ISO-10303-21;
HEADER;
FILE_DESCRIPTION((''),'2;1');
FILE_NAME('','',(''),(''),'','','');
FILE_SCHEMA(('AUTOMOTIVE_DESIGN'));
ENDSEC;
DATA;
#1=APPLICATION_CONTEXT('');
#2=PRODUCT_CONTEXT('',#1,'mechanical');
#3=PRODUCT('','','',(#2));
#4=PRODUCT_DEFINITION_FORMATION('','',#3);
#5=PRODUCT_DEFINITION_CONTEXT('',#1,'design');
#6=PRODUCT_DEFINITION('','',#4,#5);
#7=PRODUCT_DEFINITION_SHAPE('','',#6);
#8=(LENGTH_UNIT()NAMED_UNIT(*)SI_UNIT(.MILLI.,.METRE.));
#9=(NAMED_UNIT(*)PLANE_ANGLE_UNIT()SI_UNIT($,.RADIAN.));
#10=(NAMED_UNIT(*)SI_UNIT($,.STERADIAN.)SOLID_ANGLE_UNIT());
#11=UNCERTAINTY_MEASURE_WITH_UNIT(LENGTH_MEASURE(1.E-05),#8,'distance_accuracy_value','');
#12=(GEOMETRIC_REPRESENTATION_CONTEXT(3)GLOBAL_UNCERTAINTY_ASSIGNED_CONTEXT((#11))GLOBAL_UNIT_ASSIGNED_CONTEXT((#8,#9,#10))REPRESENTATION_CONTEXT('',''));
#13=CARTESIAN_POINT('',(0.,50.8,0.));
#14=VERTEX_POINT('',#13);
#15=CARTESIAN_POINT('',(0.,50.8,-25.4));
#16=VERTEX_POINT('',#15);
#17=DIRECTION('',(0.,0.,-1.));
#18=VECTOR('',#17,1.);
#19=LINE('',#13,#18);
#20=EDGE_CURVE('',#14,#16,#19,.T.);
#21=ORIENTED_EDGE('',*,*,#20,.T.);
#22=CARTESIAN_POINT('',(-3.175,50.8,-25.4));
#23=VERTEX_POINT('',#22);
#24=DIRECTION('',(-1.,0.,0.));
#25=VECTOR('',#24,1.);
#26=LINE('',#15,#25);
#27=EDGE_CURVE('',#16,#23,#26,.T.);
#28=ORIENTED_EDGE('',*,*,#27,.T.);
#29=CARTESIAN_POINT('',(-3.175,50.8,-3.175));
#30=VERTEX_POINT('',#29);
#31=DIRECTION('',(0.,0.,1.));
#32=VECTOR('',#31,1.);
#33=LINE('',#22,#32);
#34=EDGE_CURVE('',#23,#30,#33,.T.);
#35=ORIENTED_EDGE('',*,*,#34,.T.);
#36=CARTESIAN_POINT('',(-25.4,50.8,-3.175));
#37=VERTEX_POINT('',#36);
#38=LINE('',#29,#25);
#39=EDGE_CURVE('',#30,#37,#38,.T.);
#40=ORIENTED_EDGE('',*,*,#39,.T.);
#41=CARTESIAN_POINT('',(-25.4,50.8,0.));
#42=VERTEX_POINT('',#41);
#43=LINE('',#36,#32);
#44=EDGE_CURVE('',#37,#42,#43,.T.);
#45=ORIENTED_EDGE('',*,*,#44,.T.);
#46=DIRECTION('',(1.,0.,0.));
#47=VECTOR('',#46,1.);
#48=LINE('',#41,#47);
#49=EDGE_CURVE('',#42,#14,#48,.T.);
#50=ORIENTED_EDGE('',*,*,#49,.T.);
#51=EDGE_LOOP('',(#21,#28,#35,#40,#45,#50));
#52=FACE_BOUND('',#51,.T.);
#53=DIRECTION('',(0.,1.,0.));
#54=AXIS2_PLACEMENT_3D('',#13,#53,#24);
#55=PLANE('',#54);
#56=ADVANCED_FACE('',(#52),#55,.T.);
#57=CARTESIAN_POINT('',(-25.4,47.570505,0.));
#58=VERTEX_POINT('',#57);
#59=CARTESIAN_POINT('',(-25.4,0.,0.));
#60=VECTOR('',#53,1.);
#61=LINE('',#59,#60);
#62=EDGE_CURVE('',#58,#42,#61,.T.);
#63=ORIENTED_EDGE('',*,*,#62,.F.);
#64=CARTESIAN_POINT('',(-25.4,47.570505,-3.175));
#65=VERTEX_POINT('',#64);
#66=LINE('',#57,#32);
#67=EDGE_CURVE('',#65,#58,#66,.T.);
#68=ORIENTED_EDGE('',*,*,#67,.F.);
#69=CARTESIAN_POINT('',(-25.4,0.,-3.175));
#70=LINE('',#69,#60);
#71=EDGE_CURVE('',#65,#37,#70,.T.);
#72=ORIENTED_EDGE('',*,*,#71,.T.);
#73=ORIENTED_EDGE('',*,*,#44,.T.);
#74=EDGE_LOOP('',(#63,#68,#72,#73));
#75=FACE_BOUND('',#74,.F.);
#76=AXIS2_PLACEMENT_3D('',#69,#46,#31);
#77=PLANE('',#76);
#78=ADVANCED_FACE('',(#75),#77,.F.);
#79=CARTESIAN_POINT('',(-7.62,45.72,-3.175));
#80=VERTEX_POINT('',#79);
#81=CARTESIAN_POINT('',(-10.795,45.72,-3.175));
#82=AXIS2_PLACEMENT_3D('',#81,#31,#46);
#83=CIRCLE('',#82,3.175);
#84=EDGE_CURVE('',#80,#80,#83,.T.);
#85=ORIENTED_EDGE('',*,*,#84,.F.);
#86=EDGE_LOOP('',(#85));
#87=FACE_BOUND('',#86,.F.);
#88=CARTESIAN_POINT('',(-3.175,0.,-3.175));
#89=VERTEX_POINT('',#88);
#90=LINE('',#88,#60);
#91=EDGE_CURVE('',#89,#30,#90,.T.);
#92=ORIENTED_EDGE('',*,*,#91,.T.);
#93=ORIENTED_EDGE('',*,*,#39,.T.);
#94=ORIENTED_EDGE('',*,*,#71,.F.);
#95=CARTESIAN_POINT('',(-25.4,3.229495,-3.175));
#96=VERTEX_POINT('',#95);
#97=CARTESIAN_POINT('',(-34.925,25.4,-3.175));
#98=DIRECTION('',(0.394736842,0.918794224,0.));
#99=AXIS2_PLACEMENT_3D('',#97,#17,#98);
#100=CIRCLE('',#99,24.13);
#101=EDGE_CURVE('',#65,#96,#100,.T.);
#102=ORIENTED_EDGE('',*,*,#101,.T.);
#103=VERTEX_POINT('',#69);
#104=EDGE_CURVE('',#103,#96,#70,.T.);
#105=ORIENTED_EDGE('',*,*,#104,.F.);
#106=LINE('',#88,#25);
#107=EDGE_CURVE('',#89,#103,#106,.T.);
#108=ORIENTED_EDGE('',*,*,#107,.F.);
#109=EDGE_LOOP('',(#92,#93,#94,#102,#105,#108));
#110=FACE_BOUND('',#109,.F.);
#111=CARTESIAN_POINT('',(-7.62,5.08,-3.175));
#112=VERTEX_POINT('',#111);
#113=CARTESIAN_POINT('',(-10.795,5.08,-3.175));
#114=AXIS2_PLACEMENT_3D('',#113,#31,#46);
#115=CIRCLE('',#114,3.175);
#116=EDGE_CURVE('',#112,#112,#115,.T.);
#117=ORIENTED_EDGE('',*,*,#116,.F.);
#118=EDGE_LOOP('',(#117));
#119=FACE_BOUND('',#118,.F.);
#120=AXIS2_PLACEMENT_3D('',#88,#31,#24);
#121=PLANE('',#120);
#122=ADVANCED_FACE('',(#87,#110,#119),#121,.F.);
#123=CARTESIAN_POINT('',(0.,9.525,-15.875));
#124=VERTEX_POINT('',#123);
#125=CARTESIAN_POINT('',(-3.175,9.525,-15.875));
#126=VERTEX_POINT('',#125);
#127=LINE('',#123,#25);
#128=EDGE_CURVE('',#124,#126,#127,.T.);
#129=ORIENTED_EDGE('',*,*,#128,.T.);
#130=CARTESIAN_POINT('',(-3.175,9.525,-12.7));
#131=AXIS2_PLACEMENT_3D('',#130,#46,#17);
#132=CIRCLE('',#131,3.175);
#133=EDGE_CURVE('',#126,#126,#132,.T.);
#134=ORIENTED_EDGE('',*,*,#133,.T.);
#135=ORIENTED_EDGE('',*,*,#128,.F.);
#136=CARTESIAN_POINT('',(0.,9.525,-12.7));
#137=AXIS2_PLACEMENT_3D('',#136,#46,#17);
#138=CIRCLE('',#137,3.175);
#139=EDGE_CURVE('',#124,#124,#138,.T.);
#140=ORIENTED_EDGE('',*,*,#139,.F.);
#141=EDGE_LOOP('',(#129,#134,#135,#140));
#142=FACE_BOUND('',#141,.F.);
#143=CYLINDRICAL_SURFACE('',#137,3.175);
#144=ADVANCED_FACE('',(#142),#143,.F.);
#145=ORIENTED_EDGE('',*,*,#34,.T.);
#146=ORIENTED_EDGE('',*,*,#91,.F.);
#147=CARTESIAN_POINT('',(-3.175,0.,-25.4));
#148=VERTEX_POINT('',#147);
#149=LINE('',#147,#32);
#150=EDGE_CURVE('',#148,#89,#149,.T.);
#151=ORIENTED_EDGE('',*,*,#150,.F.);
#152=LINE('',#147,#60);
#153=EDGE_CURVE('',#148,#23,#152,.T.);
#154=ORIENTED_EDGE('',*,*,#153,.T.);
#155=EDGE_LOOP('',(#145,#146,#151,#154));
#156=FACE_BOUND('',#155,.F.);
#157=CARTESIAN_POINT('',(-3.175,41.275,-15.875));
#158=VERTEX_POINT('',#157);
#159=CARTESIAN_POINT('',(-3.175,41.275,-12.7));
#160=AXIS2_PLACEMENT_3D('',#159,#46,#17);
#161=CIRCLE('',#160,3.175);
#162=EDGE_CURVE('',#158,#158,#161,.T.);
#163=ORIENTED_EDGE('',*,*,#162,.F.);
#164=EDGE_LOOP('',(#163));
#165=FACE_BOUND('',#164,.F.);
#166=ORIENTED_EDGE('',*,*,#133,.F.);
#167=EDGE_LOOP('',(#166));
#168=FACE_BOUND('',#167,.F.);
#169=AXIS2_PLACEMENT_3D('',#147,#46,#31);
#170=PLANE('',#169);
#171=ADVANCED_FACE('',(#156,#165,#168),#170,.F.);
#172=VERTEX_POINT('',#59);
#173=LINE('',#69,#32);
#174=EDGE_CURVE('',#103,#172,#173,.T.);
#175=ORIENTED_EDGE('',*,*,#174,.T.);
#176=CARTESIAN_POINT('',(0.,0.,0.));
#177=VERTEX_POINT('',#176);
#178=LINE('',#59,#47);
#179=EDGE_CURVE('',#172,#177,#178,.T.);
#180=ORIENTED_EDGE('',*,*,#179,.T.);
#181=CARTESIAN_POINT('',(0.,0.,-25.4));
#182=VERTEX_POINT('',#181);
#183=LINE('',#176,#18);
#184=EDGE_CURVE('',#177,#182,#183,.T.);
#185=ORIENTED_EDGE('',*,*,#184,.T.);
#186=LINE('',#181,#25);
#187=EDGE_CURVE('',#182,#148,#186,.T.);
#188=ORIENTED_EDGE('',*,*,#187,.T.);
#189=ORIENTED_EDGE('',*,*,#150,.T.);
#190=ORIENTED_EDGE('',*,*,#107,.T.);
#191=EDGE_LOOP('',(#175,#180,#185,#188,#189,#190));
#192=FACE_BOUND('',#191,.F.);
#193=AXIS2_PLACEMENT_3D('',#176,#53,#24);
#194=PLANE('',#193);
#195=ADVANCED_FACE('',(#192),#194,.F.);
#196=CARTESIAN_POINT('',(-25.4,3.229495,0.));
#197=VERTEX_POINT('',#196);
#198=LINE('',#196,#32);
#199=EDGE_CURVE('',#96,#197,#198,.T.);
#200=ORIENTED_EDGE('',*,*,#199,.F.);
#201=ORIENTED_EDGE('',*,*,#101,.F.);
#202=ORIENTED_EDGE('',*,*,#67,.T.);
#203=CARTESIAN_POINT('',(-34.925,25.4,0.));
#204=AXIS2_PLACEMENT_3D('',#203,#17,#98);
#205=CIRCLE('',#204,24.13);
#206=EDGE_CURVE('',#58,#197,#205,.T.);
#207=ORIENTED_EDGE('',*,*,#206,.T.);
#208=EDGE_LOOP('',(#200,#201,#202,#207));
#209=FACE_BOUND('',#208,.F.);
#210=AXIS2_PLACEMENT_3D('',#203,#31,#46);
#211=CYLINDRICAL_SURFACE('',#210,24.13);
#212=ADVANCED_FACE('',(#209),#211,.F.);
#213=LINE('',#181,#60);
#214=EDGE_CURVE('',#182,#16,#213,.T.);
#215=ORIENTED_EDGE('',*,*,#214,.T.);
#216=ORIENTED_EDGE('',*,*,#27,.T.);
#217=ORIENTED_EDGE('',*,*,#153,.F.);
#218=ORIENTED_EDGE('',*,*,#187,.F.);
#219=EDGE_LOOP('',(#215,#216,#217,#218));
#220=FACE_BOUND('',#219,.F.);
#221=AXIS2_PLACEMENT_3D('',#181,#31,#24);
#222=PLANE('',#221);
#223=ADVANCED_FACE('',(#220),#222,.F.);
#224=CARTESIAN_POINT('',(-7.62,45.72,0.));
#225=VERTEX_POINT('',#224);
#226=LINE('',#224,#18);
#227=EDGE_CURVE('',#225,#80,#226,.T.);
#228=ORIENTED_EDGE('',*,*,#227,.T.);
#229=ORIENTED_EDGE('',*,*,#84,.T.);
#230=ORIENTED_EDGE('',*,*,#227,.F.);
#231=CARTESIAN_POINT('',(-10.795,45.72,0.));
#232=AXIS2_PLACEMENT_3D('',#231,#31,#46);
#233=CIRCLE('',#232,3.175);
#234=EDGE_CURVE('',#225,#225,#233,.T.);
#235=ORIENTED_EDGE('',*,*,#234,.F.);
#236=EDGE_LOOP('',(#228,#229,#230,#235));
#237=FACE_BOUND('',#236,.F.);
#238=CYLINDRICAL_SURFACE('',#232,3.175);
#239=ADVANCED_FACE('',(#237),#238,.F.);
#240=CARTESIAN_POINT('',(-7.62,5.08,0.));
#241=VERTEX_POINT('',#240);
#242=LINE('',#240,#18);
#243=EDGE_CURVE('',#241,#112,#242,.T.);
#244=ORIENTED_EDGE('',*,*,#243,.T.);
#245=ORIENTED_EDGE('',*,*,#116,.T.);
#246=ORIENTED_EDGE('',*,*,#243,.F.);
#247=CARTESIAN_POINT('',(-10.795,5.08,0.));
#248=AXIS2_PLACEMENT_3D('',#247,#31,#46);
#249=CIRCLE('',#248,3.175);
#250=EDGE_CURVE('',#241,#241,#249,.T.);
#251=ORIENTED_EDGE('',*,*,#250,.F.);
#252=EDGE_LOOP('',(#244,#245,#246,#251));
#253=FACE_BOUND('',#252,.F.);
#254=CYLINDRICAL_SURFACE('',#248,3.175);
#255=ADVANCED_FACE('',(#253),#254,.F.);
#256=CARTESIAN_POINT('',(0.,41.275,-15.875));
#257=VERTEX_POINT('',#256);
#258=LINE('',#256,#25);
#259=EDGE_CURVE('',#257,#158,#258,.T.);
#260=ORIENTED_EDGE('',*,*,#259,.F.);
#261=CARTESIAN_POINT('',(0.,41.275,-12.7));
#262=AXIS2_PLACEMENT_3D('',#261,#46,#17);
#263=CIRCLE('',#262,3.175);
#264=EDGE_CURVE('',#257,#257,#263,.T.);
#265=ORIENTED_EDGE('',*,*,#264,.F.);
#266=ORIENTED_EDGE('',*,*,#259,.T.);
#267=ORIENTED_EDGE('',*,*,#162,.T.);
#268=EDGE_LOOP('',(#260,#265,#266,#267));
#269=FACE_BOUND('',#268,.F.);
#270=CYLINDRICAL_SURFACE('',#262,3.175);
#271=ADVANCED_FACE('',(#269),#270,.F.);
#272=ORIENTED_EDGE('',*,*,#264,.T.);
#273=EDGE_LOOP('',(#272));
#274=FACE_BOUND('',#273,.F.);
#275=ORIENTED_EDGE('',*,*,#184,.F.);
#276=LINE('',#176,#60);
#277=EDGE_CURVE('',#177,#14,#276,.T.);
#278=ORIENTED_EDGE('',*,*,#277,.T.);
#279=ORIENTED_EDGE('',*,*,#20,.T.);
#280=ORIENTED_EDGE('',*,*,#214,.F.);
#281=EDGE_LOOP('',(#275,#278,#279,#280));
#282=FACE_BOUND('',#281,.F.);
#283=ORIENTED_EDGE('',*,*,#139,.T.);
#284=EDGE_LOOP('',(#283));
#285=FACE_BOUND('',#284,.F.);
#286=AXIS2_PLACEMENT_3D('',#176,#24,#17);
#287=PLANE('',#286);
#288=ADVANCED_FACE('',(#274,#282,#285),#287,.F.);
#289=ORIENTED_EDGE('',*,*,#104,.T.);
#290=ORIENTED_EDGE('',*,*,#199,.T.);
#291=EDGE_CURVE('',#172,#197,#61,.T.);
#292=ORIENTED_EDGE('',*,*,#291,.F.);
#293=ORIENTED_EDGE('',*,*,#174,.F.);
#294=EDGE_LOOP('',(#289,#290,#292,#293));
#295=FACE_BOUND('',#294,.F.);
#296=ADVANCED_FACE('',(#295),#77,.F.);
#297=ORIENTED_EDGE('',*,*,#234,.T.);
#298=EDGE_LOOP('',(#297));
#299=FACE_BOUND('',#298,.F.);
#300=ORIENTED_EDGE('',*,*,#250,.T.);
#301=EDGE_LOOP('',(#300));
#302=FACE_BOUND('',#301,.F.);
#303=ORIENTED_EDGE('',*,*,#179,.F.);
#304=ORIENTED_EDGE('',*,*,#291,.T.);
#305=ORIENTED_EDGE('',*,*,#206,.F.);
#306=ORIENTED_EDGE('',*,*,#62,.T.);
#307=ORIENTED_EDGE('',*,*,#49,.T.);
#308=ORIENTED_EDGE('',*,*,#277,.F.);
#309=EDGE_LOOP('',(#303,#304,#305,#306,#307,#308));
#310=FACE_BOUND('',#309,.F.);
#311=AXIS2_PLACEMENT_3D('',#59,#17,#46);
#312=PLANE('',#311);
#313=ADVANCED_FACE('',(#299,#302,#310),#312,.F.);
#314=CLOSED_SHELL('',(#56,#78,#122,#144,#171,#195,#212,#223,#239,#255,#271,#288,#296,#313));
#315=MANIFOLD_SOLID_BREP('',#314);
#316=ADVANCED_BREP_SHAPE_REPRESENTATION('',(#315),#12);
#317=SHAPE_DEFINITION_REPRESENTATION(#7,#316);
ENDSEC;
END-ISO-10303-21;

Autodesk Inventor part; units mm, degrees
ref_plane "YZ Plane" through (0, 0, 0) normal (1, 0, 0) x (0, 1, 0)
ref_plane "XZ Plane" through (0, 0, 0) normal (0, 1, 0) x (-1, 0, 0)
ref_plane "XY Plane" through (0, 0, 0) normal (0, 0, 1) x (1, 0, 0)
sketch "Sketch1" plane through (0, 0, 0) normal (0, 1, 0) x (-1, 0, 0)
  line L0 (0, 0) -> (0, -25.4)
  line L1 (0, -25.4) -> (3.175, -25.4)
  line L2 (3.175, -25.4) -> (3.175, -3.175)
  line L3 (3.175, -3.175) -> (25.4, -3.175)
  line L4 (25.4, -3.175) -> (25.4, 0)
  line L5 (25.4, 0) -> (0, 0)
  dimension "d0" = 25.4
  dimension "d1" = 3.175
  dimension "d2" = 22.225
  dimension "d3" = 22.225
extrude "Extrusion1" add sketch "Sketch1" along normal blind 50.8
sketch "Sketch2" plane through (-25.4, 0, 0) normal (0, 0, 1) x (1, 0, 0)
  line L0 (22.225, 0) -> (22.225, 50.8) projected
  line L1 (22.225, 0) -> (0, 0) projected
  line L2 (22.225, 50.8) -> (0, 50.8) projected
  circle A0 centre (14.605, 45.72) radius 3.175
  circle A1 centre (14.605, 5.08) radius 3.175
  circle A2 centre (-9.525, 25.4) radius 24.13
  line L3 (25.4, 0) -> (22.225, 0) projected
  dimension "d9" = 6.35
  dimension "d10" = 6.35
extrude "Extrusion2" cut sketch "Sketch2" against normal blind 63.5
sketch "Sketch3" plane through (0, 0, 0) normal (1, 0, 0) x (0, 0, -1)
  line L0 (25.4, 0) -> (25.4, 50.8) projected
  line L1 (0, 3.2295) -> (0, 47.5705) projected
  line L2 (0, 50.8) -> (25.4, 50.8) projected
  line L3 (25.4, 0) -> (3.175, 0) projected
  circle A0 centre (12.7, 9.525) radius 3.175
  circle A1 centre (12.7, 41.275) radius 3.175
  point P0 (0, 0)
extrude "Extrusion3" cut sketch "Sketch3" against normal blind 63.5
properties part number "Frame Bracket"
